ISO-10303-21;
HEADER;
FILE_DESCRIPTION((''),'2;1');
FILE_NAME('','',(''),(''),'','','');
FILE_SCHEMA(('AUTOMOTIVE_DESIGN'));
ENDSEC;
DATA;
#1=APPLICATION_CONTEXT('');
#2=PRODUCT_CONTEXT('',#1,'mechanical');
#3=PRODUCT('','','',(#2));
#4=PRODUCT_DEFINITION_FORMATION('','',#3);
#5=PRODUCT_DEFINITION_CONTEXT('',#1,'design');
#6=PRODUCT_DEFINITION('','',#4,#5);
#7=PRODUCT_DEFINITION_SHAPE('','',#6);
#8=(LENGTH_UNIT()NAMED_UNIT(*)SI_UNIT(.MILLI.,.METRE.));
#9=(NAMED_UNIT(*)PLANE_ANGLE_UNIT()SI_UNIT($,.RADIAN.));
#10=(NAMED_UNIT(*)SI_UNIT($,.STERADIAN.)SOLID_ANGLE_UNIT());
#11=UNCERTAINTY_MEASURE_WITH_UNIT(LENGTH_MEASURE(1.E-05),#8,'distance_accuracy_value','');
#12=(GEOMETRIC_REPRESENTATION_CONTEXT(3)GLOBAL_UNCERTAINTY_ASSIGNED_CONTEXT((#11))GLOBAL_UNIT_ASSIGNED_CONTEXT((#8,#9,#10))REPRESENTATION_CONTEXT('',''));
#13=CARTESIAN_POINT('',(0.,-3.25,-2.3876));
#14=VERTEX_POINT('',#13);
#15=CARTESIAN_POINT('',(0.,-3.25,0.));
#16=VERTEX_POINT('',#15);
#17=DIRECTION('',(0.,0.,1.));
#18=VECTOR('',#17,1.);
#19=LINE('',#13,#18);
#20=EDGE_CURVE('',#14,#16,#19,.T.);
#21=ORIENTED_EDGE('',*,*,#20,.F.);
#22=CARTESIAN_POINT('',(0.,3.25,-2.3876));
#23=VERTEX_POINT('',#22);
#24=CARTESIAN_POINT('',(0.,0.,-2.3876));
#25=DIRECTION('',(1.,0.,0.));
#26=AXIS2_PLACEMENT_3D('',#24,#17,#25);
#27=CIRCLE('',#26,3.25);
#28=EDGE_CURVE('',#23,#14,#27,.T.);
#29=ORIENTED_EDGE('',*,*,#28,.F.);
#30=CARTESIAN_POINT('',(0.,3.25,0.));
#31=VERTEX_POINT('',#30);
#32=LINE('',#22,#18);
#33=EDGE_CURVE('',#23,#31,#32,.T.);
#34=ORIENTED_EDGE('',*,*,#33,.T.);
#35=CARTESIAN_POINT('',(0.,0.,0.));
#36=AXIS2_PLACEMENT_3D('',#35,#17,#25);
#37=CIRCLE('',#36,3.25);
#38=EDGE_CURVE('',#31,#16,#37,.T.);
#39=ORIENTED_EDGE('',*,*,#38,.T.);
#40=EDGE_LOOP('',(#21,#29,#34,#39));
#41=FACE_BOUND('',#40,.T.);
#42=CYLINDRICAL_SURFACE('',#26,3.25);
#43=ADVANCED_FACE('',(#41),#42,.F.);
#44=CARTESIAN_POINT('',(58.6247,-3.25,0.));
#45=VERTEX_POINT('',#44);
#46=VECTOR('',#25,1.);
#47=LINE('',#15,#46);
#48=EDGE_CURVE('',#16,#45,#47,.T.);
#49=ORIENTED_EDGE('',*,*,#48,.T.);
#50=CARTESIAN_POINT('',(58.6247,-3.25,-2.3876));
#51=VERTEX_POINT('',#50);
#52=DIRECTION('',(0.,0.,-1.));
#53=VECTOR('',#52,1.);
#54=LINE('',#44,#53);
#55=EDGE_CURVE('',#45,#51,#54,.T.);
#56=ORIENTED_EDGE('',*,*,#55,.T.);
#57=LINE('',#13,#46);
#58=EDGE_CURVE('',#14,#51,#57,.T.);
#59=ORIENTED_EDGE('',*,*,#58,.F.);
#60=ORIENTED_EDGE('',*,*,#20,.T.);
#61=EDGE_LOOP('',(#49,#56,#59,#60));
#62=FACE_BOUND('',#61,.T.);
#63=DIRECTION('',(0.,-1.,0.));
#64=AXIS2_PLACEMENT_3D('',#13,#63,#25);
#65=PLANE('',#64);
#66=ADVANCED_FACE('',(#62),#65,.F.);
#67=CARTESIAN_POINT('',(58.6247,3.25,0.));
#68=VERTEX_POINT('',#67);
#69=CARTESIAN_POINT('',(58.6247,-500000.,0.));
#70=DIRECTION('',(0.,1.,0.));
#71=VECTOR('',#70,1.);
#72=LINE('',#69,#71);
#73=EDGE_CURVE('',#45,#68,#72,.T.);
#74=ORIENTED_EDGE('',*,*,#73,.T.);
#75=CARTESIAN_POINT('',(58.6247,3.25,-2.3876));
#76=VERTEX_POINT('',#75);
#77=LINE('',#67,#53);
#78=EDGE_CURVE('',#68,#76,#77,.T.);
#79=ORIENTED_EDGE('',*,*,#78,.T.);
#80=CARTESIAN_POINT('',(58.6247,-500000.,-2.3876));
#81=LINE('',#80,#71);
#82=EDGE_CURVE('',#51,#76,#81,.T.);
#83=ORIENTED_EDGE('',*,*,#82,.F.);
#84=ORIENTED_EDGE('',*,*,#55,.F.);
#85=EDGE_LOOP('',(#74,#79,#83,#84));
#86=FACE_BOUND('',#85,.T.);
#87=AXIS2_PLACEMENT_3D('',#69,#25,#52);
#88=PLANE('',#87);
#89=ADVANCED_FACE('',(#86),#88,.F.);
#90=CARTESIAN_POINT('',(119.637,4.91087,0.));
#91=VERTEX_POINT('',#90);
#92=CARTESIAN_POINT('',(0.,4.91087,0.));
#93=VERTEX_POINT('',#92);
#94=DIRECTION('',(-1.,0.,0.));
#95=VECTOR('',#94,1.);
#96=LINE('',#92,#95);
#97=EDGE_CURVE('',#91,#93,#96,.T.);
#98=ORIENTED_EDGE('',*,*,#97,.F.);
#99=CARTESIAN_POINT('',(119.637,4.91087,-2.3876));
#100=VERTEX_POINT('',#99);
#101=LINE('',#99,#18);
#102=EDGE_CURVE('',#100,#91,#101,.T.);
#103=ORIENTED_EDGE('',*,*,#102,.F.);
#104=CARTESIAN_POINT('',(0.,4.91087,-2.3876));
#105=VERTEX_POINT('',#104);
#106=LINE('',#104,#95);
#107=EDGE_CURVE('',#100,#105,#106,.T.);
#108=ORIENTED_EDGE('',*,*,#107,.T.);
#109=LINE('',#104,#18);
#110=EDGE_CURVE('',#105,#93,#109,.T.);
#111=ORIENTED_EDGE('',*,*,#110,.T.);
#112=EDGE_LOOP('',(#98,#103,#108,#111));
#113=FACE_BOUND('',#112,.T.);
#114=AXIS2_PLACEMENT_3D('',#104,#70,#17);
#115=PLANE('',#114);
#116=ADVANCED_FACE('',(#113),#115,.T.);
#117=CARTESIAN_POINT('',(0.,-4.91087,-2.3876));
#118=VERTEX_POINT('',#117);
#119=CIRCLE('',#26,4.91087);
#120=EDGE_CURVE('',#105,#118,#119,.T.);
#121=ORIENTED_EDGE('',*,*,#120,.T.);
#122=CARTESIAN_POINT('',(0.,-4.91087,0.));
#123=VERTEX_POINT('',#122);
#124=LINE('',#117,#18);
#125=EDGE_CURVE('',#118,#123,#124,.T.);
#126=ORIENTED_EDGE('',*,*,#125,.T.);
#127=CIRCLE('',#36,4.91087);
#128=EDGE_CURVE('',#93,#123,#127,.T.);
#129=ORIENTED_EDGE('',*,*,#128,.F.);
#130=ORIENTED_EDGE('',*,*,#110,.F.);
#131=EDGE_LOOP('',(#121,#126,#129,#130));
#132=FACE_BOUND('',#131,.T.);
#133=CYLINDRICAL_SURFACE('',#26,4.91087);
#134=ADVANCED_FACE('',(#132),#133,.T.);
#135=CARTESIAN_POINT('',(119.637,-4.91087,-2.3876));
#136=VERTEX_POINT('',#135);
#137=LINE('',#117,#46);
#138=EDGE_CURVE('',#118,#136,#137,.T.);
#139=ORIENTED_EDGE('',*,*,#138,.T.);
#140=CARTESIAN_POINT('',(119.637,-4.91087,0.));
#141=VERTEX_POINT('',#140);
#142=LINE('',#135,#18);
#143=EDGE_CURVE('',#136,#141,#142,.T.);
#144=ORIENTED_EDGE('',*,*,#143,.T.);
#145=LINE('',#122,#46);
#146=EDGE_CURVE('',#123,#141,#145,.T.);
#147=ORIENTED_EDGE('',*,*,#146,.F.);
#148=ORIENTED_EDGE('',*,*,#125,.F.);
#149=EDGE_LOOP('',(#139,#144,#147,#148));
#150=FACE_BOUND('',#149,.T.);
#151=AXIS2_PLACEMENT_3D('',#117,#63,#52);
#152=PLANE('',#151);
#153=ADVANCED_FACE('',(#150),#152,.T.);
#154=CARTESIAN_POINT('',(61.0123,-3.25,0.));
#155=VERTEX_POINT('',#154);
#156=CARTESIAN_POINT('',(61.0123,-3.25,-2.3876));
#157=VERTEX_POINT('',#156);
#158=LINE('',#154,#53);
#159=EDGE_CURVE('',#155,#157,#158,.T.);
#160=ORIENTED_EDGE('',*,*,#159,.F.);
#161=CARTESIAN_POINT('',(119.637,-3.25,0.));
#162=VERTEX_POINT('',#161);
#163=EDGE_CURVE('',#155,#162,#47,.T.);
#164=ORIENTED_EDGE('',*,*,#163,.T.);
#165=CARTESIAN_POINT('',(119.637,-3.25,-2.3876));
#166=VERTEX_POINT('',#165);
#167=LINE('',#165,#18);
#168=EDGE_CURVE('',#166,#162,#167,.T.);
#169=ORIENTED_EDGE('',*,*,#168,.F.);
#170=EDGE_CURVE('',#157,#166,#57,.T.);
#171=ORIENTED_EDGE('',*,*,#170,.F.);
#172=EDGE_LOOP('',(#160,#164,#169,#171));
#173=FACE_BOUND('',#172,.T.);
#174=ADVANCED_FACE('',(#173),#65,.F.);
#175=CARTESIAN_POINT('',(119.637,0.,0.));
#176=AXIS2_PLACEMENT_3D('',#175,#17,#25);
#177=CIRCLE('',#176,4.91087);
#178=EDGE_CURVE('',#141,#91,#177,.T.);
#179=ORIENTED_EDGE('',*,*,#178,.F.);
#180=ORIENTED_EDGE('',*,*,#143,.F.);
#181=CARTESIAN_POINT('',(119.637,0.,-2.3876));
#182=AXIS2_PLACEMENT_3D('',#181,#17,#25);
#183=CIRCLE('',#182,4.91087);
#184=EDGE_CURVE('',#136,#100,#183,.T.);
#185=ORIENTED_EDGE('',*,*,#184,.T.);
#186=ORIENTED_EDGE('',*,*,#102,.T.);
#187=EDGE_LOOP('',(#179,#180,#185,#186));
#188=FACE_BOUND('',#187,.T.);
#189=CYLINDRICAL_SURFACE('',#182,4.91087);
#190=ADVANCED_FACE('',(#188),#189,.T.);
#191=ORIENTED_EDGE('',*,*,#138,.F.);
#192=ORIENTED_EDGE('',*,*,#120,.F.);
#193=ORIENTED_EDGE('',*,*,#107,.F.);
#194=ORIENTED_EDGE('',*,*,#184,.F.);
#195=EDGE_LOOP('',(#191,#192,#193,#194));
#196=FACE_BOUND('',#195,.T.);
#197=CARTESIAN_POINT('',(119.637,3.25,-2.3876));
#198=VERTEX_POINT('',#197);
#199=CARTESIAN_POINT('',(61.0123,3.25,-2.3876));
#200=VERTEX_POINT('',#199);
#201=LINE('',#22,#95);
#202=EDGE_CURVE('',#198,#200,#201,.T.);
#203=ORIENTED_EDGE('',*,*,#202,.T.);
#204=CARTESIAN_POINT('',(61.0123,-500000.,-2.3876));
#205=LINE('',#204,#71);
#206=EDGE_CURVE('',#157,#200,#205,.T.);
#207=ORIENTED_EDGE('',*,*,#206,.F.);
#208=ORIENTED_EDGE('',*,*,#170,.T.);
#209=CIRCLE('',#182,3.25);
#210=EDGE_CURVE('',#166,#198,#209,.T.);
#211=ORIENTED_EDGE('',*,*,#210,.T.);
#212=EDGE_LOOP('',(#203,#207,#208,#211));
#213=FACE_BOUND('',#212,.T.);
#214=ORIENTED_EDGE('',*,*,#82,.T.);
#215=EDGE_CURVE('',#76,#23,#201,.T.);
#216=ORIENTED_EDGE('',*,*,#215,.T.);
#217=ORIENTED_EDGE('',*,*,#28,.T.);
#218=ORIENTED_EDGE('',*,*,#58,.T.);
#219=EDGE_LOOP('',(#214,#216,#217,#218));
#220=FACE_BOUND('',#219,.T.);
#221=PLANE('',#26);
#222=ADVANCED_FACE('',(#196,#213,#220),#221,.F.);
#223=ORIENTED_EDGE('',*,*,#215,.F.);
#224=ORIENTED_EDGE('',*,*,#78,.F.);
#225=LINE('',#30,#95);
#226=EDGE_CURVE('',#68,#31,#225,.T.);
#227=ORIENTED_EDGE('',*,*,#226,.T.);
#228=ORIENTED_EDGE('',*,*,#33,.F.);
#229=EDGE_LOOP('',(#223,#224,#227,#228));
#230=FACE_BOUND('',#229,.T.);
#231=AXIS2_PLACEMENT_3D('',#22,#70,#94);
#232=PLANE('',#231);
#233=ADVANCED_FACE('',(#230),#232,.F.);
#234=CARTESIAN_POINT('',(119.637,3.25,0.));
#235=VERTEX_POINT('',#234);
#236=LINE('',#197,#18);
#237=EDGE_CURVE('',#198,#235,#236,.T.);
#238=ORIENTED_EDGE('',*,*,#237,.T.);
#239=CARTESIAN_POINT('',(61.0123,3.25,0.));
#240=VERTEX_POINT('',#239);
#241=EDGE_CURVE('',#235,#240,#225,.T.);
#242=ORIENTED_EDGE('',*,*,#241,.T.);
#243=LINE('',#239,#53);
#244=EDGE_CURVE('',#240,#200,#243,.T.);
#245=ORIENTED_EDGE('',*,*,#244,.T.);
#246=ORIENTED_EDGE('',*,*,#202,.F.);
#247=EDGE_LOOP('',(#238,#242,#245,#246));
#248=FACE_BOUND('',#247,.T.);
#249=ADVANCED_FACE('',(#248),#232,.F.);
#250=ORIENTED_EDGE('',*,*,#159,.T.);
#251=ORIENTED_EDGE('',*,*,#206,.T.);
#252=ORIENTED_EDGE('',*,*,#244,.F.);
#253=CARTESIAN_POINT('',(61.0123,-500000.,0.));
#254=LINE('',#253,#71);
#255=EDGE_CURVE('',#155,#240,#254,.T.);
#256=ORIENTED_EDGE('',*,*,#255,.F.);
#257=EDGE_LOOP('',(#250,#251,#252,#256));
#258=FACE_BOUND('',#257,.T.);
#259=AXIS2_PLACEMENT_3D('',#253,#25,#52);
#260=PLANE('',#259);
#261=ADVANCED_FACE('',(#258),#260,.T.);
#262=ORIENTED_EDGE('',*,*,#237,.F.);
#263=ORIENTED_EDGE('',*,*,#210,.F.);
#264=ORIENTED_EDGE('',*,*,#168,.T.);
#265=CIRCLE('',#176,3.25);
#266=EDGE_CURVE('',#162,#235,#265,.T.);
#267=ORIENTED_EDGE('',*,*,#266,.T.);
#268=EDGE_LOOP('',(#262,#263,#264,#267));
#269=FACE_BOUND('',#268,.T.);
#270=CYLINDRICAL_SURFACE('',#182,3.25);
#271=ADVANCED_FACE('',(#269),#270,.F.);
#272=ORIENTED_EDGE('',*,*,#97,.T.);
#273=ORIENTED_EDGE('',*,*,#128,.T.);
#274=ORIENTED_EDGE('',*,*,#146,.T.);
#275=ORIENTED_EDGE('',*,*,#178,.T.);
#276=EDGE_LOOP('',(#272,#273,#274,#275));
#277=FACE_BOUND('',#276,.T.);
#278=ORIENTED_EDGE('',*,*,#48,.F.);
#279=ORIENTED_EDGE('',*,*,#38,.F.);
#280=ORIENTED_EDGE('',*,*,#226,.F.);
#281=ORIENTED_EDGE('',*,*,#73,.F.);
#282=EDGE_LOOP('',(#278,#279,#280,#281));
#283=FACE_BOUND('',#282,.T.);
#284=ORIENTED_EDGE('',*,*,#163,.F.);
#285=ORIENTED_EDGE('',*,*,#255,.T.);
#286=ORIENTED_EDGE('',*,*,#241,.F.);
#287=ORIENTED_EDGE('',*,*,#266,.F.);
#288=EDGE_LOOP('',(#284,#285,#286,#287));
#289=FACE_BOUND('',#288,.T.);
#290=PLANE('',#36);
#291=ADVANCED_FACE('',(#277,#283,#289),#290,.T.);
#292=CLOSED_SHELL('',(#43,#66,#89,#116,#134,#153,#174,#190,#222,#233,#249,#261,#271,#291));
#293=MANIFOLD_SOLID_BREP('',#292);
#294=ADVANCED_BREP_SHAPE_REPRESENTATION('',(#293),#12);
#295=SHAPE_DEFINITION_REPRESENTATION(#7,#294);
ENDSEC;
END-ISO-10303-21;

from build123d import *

# Parameters (mm, degrees)
BOSS_EXTRUDE1_DEPTH             = 2.3876
BOSS_EXTRUDE2_REACH             = 126.668
SKETCH2_W                       = 2.3876
SKETCH2_H                       = 2.3876
BOSS_EXTRUDE2_DIRECTION_2_REACH = 126.668


with BuildPart() as part:
    # Sketch1 → Boss-Extrude1 (new body)
    with BuildSketch(Plane.XY):
        with BuildLine():
            Line((0, 4.91087), (119.637, 4.91087))
            ThreePointArc((119.637, 4.91087), (124.54787, 0), (119.637, -4.91087))
            Line((119.637, -4.91087), (0, -4.91087))
            ThreePointArc((0, -4.91087), (-4.91087, 0), (0, 4.91087))
        make_face()
        with BuildLine():
            Line((0, 3.25), (119.637, 3.25))
            ThreePointArc((119.637, 3.25), (122.887, 0), (119.637, -3.25))
            Line((119.637, -3.25), (0, -3.25))
            ThreePointArc((0, -3.25), (-3.25, 0), (0, 3.25))
        make_face(mode=Mode.SUBTRACT)
    extrude(amount=-BOSS_EXTRUDE1_DEPTH)

    # Sketch2 → Boss-Extrude2 (add, up to next)
    with BuildSketch(Plane(origin=(0, 0, 0), x_dir=(1, 0, 0), z_dir=(0, 1, 0)), mode=Mode.PRIVATE) as boss_extrude2_sk1:
        with Locations((59.8185, 1.1938)):
            Rectangle(SKETCH2_W, SKETCH2_H)
    boss_extrude2_tool1 = extrude(boss_extrude2_sk1.sketch, amount=BOSS_EXTRUDE2_REACH, mode=Mode.PRIVATE) - part.part
    add(boss_extrude2_tool1.solids().sort_by_distance((59.8185, 0, -1.1938))[0])

    # Sketch2 → Boss-Extrude2 direction 2 (add, up to next)
    with BuildSketch(Plane(origin=(0, 0, 0), x_dir=(1, 0, 0), z_dir=(0, 1, 0)), mode=Mode.PRIVATE) as boss_extrude2_direction_2_sk1:
        with Locations((59.8185, 1.1938)):
            Rectangle(SKETCH2_W, SKETCH2_H)
    boss_extrude2_direction_2_tool1 = extrude(boss_extrude2_direction_2_sk1.sketch, amount=-BOSS_EXTRUDE2_DIRECTION_2_REACH, mode=Mode.PRIVATE) - part.part
    add(boss_extrude2_direction_2_tool1.solids().sort_by_distance((59.8185, 0, -1.1938))[0])


solid = part.part
